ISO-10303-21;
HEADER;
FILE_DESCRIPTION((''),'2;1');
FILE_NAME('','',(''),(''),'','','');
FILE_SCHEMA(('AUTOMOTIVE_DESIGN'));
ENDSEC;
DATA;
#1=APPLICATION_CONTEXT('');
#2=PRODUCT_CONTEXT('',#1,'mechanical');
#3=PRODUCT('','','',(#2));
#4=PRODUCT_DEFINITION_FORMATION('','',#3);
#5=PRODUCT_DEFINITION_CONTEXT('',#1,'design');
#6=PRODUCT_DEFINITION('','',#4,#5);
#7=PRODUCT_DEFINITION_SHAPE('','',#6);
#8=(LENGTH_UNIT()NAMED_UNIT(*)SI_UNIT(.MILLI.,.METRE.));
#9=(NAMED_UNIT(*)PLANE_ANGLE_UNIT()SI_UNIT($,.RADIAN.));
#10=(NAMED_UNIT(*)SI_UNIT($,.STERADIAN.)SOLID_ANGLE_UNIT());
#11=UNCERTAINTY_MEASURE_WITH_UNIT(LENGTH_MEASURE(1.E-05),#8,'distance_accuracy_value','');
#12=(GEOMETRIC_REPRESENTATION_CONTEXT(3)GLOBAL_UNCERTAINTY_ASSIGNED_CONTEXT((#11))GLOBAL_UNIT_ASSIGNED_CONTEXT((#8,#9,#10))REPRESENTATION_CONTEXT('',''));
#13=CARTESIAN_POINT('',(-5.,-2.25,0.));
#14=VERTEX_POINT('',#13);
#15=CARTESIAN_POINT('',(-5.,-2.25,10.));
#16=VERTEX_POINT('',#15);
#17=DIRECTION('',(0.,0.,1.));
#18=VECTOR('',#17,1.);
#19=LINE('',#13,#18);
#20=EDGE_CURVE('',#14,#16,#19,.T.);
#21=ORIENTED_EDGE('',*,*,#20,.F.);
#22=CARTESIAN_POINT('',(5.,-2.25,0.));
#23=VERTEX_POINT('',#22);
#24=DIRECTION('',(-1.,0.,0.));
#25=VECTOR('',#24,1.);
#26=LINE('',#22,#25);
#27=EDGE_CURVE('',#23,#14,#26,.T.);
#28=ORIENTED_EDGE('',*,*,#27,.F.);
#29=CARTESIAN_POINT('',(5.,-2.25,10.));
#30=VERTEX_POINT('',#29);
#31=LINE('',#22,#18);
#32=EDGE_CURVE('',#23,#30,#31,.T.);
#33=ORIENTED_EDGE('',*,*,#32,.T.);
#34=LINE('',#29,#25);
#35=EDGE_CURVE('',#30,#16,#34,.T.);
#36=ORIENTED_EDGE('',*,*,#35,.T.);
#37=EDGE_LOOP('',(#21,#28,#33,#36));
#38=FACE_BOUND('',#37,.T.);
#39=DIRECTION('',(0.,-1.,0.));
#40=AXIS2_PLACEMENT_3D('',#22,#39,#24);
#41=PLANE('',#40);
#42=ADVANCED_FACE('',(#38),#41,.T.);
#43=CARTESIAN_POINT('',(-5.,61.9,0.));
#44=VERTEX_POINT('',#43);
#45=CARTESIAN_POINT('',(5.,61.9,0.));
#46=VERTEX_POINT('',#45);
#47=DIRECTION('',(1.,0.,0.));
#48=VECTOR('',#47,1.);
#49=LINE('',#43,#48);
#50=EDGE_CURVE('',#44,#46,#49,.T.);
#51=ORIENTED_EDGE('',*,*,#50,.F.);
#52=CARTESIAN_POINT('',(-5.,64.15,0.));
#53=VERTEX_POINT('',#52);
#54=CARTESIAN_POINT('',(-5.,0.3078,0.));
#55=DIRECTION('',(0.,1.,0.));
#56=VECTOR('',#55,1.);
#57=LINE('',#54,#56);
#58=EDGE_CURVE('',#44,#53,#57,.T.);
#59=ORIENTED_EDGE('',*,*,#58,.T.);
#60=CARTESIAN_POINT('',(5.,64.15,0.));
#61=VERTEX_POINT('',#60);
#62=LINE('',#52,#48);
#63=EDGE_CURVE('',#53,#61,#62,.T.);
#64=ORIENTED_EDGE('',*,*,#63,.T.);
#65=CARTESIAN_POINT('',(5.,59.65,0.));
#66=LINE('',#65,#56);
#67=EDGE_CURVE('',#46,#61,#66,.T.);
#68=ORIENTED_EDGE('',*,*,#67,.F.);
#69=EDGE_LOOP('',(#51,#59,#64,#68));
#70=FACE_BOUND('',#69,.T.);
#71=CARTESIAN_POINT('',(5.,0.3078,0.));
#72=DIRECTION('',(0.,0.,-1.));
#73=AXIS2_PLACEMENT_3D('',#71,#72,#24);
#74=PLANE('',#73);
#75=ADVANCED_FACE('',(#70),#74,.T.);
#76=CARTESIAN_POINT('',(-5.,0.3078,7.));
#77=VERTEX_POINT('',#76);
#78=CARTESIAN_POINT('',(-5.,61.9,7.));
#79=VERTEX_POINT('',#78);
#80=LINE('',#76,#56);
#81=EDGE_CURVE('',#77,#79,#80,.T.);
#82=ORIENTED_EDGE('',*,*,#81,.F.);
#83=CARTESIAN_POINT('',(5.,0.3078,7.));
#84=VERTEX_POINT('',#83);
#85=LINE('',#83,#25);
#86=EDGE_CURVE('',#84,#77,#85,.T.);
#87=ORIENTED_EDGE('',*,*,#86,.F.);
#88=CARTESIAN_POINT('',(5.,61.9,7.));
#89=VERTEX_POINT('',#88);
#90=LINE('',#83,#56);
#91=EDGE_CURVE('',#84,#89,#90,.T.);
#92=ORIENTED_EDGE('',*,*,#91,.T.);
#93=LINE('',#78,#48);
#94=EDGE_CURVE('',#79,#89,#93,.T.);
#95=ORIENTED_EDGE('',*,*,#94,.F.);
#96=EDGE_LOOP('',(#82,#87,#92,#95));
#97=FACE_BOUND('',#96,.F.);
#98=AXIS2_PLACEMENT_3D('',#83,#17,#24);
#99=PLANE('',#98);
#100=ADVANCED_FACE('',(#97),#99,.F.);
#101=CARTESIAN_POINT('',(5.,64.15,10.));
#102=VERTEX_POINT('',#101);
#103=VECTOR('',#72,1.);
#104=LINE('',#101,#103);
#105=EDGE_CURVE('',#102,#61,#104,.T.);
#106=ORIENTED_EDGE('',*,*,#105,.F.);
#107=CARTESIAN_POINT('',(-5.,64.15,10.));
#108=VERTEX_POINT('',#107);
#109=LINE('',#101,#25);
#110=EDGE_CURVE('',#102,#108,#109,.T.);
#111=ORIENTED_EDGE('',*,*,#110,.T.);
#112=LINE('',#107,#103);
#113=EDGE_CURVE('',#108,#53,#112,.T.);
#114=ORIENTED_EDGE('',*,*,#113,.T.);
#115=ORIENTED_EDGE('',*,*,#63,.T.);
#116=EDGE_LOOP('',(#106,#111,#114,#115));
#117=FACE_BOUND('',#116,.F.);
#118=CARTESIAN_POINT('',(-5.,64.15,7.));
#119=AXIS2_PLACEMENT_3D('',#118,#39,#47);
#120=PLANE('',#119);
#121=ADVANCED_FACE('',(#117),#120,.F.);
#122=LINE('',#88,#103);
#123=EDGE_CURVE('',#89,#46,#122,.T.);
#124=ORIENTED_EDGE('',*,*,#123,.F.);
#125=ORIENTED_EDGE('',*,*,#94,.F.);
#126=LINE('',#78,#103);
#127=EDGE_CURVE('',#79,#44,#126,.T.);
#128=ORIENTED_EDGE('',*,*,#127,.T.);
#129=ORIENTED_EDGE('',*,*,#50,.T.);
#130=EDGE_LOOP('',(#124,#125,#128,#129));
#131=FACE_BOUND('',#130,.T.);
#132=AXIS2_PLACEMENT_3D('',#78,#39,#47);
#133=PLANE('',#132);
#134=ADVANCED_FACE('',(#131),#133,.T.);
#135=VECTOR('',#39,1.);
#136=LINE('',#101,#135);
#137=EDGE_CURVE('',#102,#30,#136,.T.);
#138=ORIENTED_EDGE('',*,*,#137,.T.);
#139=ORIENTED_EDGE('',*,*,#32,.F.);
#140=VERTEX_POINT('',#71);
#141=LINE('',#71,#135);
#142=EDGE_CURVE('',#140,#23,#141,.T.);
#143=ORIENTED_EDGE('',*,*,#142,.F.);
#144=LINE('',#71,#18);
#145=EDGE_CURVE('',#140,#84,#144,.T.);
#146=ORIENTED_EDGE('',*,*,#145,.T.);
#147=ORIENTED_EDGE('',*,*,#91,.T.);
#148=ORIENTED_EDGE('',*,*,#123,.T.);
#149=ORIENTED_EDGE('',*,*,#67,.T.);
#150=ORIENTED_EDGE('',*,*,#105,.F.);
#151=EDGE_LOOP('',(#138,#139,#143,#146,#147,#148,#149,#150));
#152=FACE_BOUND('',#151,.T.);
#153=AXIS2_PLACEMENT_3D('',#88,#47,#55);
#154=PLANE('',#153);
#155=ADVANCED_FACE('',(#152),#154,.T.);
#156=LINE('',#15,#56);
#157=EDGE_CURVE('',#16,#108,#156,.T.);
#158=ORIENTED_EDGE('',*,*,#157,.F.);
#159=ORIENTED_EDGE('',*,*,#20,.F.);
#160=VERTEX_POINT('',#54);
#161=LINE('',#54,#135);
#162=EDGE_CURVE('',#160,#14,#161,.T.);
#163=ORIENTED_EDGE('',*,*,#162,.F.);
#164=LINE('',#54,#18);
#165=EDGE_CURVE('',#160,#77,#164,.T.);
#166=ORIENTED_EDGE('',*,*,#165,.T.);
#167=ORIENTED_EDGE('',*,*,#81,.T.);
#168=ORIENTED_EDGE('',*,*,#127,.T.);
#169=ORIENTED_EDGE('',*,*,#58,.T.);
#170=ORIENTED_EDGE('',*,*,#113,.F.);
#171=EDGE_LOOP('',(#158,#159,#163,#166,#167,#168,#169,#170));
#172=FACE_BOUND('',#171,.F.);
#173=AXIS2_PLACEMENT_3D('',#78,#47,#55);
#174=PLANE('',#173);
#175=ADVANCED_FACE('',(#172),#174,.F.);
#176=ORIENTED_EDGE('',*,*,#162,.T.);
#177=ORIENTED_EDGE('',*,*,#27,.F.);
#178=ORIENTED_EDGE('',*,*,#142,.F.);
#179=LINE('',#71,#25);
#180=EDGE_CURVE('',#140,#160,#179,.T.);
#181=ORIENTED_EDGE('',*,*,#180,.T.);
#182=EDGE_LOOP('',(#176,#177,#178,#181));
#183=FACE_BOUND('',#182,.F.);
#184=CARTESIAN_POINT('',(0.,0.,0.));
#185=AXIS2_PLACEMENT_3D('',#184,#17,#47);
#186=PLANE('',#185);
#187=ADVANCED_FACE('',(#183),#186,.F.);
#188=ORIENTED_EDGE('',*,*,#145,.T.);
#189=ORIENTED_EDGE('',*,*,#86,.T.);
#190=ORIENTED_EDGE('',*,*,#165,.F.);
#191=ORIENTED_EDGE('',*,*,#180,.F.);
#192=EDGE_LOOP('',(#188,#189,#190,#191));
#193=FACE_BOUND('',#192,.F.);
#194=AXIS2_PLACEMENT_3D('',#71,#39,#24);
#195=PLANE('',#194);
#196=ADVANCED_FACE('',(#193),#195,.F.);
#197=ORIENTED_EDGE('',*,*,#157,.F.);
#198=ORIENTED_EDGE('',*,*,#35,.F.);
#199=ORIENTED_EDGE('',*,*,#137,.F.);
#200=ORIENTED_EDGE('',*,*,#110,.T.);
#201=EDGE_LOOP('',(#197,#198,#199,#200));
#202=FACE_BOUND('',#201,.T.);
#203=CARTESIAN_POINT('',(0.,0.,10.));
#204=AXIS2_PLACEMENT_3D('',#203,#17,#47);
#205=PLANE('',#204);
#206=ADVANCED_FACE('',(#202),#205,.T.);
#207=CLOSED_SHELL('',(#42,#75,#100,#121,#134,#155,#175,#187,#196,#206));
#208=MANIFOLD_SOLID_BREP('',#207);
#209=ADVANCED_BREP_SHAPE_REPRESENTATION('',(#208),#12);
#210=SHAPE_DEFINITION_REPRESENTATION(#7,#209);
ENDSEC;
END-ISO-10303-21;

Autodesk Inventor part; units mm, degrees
ref_plane "YZ Plane" through (0, 0, 0) normal (1, 0, 0) x (0, 1, 0)
sketch "Boceto1" plane through (0, 0, 0) normal (0, 0, 1) x (1, 0, 0)
  line L0 (-5, 0.3078) -> (-5, -2.25) projected
  line L1 (5, -2.25) -> (-5, -2.25) projected
  line L2 (5, 0.3078) -> (5, -2.25) projected
  line L3 (5, 0.3078) -> (-5, 0.3078) projected
  point P0 (0, 0)
extrude "Extrusión1" add sketch "Boceto1" along normal blind 10
sketch "Boceto2" plane through (-5, 0.3078, 0) normal (0, 1, 0) x (1, 0, 0)
  line L0 (10, 0) -> (0, 0) projected
  line L1 (0, 0) -> (0, -10) projected
  line L2 (10, -10) -> (0, -10) projected
  line L3 (10, 0) -> (10, -10) projected
  line L4 (0, 0) -> (0, -10) projected
  line L5 (0, -10) -> (10, -10)
  line L6 (10, -10) -> (10, -5)
  line L7 (10, -5) -> (0, -5)
  line L8 (0, -5) -> (0, -10)
  line L9 (0, -10) -> (10, -10)
  line L10 (10, -10) -> (10, -7)
  line L11 (10, -7) -> (0, -7)
  line L12 (0, -7) -> (0, -10)
  point P0 (5, 0)
  point P1 (0, -5)
ref_plane "Plano de trabajo1" through (-5, 64.15, -70) normal (0, 1, 0) x (0, 0, 1)
extrude "Extrusión2" add sketch "Boceto2" along normal up to surface (63.8422 mm away) contours L3 L2 L1 L11
sketch "Boceto4" plane through (5, 0.3078, 7) normal (0, 0, -1) x (-1, 0, 0)
  line L0 (10, 63.8422) -> (0, 63.8422) projected
  line L1 (10, 0) -> (10, 63.8422) projected
  line L2 (0, 59.3422) -> (0, 63.8422) projected
  line L3 (10, 63.8422) -> (0, 63.8422) projected
  line L4 (10, 59.3422) -> (10, 63.8422) projected
  line L5 (0, 59.3422) -> (10, 59.3422) projected
  line L6 (10, 61.5922) -> (0, 61.5922) projected
  point P0 (5, -0.3078)
ref_plane "Plano de trabajo2" through (-5, 59.65, 0) normal (0, 0, 1) x (1, 0, 0)
extrude "Extrusión4" add sketch "Boceto4" along normal up to surface (7 mm away) contours L1 L6 L2 L0
properties part number "Tope trasero"
